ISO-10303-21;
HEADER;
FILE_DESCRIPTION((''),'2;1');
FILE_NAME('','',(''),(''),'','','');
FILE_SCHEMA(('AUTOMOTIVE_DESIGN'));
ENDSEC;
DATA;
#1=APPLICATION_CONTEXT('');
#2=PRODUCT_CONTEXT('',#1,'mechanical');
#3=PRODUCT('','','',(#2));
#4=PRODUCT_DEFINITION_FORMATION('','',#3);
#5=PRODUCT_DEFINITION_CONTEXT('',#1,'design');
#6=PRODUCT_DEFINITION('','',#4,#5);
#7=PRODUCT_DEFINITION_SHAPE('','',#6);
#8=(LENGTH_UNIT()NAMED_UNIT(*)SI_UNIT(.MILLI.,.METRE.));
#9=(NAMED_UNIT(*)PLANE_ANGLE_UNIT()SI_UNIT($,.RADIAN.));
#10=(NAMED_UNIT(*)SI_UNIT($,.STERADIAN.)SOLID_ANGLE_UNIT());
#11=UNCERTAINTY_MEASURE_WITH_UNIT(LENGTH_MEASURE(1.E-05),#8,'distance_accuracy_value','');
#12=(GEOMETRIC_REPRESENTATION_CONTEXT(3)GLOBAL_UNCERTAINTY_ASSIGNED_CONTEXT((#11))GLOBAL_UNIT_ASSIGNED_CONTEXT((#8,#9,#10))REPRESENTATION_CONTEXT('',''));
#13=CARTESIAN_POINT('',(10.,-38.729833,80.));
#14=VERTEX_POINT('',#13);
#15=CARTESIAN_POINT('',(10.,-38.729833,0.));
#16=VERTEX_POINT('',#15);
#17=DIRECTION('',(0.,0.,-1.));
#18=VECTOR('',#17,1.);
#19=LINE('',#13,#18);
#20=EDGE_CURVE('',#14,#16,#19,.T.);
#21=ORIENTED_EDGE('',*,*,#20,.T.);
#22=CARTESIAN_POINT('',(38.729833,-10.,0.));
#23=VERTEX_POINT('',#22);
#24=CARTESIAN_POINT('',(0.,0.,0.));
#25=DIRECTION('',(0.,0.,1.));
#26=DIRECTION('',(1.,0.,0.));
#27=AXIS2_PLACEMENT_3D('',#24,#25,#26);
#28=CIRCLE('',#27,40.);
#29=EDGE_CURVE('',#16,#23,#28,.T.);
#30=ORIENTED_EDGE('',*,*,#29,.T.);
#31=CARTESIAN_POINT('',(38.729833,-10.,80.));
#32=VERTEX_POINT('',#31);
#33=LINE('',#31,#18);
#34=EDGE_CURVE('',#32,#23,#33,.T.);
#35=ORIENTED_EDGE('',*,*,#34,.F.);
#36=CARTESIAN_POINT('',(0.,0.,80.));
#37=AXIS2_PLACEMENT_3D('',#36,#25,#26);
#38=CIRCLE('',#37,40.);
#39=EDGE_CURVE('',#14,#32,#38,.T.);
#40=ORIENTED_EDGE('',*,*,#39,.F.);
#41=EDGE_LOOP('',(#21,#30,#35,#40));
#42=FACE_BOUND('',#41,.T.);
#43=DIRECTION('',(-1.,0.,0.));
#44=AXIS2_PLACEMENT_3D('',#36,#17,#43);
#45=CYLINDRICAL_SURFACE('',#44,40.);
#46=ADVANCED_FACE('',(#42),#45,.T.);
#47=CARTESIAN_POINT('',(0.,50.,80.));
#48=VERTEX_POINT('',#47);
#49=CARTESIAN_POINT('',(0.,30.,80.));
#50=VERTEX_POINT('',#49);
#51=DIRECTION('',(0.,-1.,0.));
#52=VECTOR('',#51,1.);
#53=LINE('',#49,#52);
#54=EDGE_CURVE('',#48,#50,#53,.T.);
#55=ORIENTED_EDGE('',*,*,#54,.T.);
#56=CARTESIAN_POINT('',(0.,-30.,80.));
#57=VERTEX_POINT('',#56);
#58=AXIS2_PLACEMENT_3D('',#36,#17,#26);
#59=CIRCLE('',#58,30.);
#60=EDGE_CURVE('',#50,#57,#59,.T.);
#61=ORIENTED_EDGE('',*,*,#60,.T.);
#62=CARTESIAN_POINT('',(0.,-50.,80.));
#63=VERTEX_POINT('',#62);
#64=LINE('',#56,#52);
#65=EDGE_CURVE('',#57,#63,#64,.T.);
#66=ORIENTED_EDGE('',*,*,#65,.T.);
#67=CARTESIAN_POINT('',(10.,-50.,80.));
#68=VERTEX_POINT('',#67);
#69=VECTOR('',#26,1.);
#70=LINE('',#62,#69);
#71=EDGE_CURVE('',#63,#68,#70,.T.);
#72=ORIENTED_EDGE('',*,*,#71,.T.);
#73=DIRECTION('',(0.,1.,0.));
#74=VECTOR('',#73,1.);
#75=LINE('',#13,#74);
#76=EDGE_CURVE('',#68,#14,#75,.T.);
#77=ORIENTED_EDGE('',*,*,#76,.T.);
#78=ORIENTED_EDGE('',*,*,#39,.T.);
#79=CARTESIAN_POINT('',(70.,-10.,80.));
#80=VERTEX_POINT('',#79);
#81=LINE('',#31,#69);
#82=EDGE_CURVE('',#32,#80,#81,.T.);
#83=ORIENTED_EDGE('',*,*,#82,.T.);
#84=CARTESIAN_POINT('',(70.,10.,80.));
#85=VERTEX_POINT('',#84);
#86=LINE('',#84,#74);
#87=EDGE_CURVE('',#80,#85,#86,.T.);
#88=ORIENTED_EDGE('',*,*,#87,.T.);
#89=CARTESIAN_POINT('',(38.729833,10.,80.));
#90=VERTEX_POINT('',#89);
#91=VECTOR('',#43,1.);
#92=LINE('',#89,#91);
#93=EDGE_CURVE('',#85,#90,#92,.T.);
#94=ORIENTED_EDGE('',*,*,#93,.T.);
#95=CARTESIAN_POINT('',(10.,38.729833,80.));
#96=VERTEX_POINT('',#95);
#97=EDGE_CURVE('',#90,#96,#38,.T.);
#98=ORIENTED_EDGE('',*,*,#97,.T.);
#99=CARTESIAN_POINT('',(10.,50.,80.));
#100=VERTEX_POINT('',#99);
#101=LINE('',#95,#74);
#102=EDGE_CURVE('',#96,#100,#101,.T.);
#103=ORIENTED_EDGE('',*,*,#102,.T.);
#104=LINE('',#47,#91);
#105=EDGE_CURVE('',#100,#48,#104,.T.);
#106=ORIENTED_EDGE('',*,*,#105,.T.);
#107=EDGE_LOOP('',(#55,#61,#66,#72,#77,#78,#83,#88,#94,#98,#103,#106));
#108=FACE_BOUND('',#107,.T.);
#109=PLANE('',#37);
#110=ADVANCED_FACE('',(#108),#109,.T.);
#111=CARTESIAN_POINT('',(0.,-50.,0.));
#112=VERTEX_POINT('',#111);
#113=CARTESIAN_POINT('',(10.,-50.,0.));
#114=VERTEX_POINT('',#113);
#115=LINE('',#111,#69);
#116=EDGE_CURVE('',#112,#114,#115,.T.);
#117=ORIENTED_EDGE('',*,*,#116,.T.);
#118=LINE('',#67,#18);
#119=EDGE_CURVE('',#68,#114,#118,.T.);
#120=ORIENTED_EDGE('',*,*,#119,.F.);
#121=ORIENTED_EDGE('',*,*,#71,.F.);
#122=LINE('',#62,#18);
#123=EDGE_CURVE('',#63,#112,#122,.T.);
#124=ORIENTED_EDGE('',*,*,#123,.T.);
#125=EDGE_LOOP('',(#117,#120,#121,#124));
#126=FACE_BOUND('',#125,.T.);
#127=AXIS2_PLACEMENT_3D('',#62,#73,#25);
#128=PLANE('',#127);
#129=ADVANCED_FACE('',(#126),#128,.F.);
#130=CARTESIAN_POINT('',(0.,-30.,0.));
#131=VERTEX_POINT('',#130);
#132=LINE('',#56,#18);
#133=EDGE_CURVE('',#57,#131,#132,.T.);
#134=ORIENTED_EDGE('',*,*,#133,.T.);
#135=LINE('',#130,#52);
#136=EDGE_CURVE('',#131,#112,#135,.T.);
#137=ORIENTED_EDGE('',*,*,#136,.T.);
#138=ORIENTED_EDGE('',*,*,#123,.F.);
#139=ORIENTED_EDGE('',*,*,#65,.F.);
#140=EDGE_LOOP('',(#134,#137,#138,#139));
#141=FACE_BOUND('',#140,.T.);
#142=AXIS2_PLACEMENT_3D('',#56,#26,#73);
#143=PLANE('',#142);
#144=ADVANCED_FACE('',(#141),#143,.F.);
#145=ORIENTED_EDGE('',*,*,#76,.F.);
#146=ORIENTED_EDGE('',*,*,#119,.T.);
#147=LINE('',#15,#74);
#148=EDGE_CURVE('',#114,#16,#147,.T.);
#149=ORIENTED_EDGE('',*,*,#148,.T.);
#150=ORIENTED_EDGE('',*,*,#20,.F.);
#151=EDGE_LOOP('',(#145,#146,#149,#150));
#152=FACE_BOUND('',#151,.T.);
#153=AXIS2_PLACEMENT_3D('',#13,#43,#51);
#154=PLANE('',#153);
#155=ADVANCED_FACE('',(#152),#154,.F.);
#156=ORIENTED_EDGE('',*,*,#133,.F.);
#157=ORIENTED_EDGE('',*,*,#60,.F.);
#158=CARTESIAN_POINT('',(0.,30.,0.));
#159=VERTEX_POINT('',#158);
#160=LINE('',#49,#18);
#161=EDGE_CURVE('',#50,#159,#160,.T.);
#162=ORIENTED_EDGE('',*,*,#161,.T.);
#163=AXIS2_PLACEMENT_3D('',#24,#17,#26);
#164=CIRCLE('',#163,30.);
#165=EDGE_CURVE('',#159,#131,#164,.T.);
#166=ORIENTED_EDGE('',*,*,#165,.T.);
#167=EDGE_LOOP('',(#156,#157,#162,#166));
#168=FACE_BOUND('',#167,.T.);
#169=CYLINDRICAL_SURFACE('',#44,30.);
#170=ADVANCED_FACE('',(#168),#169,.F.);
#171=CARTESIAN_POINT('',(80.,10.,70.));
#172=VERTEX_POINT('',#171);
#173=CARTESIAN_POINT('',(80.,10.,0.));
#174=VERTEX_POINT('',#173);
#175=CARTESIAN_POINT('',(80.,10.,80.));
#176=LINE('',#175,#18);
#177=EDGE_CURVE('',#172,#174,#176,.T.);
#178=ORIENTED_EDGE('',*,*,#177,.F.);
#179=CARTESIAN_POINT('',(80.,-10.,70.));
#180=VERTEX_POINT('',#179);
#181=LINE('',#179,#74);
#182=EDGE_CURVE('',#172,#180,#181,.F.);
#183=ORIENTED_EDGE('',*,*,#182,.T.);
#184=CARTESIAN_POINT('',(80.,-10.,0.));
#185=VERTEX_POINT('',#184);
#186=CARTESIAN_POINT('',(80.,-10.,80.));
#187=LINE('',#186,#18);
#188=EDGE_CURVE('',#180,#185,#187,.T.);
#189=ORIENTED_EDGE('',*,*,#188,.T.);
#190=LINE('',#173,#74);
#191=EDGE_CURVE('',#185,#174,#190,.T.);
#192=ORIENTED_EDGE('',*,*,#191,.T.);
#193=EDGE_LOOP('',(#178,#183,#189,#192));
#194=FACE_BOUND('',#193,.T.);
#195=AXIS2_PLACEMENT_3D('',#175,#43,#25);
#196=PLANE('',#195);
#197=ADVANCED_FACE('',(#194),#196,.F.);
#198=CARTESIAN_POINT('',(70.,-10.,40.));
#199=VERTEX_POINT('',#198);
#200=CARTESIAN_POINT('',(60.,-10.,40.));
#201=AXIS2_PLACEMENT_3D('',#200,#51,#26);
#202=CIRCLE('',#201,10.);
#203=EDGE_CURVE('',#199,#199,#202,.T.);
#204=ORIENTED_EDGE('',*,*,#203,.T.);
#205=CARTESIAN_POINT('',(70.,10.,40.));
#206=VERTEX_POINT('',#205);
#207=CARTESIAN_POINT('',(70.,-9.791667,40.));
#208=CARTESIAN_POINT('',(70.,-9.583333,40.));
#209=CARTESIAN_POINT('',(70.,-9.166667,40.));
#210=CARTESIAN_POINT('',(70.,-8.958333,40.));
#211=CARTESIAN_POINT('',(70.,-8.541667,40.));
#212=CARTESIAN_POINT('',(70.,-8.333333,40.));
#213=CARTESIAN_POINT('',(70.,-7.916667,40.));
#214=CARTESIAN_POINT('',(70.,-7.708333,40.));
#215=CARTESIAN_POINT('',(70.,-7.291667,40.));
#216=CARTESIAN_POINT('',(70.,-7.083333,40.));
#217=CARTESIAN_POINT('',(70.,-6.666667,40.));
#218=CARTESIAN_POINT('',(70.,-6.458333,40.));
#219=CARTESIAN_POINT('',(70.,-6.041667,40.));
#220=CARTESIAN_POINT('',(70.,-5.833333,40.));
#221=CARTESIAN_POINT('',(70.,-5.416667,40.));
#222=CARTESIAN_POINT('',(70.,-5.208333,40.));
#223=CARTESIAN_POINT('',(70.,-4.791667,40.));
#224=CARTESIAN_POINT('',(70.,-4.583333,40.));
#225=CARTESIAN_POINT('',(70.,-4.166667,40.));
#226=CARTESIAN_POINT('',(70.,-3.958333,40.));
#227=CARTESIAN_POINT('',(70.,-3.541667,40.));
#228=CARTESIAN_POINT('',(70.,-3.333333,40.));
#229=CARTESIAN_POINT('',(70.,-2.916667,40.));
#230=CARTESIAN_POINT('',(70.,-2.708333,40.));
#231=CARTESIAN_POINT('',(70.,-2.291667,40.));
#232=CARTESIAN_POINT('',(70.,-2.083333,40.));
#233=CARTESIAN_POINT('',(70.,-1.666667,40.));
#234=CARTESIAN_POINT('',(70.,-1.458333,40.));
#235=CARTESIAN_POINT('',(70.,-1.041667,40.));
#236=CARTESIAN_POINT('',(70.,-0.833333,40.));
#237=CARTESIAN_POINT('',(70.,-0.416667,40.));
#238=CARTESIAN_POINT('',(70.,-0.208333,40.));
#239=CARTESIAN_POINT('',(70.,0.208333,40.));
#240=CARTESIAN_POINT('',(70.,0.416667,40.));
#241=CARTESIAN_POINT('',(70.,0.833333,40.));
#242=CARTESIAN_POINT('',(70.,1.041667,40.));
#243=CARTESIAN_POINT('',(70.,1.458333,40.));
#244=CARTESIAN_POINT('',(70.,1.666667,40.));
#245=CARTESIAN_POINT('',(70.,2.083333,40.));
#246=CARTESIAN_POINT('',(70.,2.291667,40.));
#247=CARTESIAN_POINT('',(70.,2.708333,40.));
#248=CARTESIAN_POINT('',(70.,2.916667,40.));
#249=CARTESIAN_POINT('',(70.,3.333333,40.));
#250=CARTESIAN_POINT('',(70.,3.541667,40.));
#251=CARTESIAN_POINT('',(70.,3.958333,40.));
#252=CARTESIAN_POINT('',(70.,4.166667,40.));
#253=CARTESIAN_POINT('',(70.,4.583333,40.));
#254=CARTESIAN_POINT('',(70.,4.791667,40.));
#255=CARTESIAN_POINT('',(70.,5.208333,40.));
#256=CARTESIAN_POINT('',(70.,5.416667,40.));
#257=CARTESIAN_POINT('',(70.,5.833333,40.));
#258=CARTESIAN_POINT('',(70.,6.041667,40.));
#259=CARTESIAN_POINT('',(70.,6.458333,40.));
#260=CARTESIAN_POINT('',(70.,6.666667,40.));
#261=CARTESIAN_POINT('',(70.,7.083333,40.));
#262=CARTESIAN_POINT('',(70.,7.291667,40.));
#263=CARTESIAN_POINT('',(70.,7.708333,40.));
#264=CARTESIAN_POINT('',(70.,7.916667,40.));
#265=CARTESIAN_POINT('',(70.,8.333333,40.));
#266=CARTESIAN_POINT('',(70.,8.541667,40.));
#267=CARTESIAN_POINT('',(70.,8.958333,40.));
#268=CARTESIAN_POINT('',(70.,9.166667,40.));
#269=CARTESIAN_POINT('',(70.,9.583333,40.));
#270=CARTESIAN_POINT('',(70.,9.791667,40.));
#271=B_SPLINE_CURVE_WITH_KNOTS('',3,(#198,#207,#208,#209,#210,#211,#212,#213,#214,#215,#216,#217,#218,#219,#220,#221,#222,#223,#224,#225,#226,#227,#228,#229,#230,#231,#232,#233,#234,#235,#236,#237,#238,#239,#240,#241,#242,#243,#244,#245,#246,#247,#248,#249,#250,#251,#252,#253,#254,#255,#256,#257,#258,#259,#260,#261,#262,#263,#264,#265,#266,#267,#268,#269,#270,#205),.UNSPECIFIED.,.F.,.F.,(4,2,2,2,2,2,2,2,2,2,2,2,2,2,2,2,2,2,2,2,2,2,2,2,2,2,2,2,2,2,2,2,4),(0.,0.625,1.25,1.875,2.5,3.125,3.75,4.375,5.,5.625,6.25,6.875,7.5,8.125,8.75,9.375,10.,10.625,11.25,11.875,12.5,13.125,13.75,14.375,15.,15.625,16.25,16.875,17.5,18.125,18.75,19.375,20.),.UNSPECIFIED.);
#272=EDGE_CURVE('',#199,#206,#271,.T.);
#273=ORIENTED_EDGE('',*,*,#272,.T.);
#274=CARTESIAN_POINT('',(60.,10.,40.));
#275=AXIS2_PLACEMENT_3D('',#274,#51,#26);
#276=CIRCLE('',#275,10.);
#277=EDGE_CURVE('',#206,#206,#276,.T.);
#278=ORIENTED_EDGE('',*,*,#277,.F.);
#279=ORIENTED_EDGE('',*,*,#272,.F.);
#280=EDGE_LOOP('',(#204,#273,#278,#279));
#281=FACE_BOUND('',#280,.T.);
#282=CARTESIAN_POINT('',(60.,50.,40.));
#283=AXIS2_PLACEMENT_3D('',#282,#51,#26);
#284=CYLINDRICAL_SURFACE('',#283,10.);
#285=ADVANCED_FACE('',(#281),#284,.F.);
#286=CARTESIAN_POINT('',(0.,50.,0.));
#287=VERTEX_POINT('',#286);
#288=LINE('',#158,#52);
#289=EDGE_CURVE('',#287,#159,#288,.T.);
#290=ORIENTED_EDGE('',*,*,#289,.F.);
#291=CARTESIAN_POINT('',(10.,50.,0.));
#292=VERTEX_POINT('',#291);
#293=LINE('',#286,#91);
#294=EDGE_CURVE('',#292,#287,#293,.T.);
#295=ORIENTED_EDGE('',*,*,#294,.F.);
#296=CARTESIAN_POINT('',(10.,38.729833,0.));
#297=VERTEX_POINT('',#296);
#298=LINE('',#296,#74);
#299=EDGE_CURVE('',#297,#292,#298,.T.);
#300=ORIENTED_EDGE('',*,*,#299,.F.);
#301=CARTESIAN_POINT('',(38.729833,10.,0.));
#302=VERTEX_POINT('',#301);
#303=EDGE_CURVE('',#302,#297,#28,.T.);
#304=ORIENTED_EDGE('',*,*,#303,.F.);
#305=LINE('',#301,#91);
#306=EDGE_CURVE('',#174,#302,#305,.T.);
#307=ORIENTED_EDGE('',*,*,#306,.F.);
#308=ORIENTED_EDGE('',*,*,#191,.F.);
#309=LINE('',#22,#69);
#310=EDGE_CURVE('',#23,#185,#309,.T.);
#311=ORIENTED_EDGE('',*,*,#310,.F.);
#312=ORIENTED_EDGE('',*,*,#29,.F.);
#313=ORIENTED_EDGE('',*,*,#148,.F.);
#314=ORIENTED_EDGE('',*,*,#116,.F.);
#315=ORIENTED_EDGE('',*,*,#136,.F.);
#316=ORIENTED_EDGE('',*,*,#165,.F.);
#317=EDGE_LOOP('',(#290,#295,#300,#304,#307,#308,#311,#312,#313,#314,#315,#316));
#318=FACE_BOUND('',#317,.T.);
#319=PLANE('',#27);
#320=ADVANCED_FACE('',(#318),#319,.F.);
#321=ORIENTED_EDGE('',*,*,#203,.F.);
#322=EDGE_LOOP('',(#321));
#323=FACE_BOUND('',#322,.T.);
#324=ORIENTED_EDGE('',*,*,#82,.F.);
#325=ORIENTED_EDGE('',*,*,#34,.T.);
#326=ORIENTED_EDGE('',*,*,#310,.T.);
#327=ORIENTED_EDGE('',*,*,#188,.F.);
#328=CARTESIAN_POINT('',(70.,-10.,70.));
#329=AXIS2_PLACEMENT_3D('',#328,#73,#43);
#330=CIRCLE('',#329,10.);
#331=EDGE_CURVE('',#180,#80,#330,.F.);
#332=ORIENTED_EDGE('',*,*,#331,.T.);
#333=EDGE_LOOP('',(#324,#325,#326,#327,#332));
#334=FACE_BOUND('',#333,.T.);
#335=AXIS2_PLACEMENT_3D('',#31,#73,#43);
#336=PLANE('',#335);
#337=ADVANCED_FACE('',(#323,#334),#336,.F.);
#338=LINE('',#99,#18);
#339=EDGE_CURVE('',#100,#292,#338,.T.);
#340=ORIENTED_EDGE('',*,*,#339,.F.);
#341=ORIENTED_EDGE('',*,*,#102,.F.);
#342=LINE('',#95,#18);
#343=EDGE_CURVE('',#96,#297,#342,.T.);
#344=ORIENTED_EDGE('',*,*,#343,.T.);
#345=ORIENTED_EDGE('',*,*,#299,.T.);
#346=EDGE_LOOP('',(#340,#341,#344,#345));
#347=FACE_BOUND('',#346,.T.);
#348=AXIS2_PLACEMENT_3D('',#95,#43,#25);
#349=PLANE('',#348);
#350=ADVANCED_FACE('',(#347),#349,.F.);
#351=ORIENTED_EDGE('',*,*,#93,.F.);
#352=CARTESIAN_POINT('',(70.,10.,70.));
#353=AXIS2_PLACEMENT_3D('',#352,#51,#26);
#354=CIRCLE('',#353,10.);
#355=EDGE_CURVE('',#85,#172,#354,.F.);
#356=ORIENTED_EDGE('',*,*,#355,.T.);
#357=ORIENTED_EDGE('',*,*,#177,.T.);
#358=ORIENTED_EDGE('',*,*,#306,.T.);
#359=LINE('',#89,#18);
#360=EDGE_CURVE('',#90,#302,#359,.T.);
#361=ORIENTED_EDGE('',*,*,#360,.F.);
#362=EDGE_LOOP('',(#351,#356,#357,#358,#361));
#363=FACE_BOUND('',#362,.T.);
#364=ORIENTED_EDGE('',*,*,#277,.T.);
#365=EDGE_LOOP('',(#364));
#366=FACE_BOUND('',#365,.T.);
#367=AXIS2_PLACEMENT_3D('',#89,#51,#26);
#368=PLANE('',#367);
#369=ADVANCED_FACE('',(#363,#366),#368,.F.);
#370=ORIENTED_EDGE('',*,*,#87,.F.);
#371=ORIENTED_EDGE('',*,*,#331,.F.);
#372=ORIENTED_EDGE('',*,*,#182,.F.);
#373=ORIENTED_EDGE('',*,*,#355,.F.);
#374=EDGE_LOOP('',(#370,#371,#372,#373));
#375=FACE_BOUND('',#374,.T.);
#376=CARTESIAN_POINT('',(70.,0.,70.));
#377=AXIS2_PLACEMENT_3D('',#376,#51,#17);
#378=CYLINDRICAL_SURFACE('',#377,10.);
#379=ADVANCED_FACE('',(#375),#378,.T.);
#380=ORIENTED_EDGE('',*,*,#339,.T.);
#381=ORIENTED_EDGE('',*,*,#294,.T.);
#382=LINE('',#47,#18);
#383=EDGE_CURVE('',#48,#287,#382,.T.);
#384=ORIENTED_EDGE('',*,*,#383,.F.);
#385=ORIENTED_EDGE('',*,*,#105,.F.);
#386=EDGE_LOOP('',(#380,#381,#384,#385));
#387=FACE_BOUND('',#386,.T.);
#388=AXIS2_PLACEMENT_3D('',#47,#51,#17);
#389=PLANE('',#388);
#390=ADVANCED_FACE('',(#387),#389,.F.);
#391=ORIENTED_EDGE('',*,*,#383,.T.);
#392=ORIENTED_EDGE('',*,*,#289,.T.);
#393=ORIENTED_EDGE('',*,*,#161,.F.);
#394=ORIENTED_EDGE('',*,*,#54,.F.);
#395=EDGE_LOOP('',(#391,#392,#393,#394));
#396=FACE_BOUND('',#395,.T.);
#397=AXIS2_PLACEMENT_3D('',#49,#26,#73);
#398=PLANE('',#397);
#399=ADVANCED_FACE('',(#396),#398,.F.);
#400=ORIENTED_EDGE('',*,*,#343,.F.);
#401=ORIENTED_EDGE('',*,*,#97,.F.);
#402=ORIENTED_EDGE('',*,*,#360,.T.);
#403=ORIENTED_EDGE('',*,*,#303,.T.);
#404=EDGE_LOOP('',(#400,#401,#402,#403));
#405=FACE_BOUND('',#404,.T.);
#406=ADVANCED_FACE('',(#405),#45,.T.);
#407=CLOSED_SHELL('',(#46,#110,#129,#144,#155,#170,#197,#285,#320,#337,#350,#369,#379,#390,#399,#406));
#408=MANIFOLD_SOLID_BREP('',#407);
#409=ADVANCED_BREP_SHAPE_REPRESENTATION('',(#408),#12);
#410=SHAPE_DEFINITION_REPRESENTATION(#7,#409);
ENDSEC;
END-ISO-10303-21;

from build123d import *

# Parameters (mm, degrees)
EXTRUDE_1_DEPTH     = 80
SKETCH_2_R          = 10
CUT_EXTRUDE_1_DEPTH = 129.062484749
FILLET_1_R          = 10


with BuildPart() as part:
    # 草圖1 → 填料-伸長1 (new body)
    with BuildSketch(Plane.XY):
        with BuildLine():
            Line((0, -30), (0, -50))
            Line((0, -50), (10, -50))
            Line((10, -50), (10, -38.729833462))
            ThreePointArc((10, -38.729833462), (28.284271247, -28.284271247), (38.729833462, -10))
            Line((38.729833462, -10), (80, -10))
            Line((80, -10), (80, 10))
            Line((80, 10), (38.729833462, 10))
            ThreePointArc((38.729833462, 10), (28.284271247, 28.284271247), (10, 38.729833462))
            Line((10, 38.729833462), (10, 50))
            Line((10, 50), (0, 50))
            Line((0, 50), (0, 30))
            ThreePointArc((0, 30), (30, 0), (0, -30))
        make_face()
    extrude(amount=EXTRUDE_1_DEPTH)

    # 草圖2 → 除料-伸長1 (cut, through all)
    with BuildSketch(Plane.XZ.offset(10)):
        with Locations((60, 40)):
            Circle(SKETCH_2_R)
    extrude(amount=-CUT_EXTRUDE_1_DEPTH, mode=Mode.SUBTRACT)

    # 圓角1
    fillet_1_edges = [part.edges().sort_by_distance(p)[0] for p in [
        (80, 0, 80),
    ]]
    fillet(fillet_1_edges, radius=FILLET_1_R)


solid = part.part
